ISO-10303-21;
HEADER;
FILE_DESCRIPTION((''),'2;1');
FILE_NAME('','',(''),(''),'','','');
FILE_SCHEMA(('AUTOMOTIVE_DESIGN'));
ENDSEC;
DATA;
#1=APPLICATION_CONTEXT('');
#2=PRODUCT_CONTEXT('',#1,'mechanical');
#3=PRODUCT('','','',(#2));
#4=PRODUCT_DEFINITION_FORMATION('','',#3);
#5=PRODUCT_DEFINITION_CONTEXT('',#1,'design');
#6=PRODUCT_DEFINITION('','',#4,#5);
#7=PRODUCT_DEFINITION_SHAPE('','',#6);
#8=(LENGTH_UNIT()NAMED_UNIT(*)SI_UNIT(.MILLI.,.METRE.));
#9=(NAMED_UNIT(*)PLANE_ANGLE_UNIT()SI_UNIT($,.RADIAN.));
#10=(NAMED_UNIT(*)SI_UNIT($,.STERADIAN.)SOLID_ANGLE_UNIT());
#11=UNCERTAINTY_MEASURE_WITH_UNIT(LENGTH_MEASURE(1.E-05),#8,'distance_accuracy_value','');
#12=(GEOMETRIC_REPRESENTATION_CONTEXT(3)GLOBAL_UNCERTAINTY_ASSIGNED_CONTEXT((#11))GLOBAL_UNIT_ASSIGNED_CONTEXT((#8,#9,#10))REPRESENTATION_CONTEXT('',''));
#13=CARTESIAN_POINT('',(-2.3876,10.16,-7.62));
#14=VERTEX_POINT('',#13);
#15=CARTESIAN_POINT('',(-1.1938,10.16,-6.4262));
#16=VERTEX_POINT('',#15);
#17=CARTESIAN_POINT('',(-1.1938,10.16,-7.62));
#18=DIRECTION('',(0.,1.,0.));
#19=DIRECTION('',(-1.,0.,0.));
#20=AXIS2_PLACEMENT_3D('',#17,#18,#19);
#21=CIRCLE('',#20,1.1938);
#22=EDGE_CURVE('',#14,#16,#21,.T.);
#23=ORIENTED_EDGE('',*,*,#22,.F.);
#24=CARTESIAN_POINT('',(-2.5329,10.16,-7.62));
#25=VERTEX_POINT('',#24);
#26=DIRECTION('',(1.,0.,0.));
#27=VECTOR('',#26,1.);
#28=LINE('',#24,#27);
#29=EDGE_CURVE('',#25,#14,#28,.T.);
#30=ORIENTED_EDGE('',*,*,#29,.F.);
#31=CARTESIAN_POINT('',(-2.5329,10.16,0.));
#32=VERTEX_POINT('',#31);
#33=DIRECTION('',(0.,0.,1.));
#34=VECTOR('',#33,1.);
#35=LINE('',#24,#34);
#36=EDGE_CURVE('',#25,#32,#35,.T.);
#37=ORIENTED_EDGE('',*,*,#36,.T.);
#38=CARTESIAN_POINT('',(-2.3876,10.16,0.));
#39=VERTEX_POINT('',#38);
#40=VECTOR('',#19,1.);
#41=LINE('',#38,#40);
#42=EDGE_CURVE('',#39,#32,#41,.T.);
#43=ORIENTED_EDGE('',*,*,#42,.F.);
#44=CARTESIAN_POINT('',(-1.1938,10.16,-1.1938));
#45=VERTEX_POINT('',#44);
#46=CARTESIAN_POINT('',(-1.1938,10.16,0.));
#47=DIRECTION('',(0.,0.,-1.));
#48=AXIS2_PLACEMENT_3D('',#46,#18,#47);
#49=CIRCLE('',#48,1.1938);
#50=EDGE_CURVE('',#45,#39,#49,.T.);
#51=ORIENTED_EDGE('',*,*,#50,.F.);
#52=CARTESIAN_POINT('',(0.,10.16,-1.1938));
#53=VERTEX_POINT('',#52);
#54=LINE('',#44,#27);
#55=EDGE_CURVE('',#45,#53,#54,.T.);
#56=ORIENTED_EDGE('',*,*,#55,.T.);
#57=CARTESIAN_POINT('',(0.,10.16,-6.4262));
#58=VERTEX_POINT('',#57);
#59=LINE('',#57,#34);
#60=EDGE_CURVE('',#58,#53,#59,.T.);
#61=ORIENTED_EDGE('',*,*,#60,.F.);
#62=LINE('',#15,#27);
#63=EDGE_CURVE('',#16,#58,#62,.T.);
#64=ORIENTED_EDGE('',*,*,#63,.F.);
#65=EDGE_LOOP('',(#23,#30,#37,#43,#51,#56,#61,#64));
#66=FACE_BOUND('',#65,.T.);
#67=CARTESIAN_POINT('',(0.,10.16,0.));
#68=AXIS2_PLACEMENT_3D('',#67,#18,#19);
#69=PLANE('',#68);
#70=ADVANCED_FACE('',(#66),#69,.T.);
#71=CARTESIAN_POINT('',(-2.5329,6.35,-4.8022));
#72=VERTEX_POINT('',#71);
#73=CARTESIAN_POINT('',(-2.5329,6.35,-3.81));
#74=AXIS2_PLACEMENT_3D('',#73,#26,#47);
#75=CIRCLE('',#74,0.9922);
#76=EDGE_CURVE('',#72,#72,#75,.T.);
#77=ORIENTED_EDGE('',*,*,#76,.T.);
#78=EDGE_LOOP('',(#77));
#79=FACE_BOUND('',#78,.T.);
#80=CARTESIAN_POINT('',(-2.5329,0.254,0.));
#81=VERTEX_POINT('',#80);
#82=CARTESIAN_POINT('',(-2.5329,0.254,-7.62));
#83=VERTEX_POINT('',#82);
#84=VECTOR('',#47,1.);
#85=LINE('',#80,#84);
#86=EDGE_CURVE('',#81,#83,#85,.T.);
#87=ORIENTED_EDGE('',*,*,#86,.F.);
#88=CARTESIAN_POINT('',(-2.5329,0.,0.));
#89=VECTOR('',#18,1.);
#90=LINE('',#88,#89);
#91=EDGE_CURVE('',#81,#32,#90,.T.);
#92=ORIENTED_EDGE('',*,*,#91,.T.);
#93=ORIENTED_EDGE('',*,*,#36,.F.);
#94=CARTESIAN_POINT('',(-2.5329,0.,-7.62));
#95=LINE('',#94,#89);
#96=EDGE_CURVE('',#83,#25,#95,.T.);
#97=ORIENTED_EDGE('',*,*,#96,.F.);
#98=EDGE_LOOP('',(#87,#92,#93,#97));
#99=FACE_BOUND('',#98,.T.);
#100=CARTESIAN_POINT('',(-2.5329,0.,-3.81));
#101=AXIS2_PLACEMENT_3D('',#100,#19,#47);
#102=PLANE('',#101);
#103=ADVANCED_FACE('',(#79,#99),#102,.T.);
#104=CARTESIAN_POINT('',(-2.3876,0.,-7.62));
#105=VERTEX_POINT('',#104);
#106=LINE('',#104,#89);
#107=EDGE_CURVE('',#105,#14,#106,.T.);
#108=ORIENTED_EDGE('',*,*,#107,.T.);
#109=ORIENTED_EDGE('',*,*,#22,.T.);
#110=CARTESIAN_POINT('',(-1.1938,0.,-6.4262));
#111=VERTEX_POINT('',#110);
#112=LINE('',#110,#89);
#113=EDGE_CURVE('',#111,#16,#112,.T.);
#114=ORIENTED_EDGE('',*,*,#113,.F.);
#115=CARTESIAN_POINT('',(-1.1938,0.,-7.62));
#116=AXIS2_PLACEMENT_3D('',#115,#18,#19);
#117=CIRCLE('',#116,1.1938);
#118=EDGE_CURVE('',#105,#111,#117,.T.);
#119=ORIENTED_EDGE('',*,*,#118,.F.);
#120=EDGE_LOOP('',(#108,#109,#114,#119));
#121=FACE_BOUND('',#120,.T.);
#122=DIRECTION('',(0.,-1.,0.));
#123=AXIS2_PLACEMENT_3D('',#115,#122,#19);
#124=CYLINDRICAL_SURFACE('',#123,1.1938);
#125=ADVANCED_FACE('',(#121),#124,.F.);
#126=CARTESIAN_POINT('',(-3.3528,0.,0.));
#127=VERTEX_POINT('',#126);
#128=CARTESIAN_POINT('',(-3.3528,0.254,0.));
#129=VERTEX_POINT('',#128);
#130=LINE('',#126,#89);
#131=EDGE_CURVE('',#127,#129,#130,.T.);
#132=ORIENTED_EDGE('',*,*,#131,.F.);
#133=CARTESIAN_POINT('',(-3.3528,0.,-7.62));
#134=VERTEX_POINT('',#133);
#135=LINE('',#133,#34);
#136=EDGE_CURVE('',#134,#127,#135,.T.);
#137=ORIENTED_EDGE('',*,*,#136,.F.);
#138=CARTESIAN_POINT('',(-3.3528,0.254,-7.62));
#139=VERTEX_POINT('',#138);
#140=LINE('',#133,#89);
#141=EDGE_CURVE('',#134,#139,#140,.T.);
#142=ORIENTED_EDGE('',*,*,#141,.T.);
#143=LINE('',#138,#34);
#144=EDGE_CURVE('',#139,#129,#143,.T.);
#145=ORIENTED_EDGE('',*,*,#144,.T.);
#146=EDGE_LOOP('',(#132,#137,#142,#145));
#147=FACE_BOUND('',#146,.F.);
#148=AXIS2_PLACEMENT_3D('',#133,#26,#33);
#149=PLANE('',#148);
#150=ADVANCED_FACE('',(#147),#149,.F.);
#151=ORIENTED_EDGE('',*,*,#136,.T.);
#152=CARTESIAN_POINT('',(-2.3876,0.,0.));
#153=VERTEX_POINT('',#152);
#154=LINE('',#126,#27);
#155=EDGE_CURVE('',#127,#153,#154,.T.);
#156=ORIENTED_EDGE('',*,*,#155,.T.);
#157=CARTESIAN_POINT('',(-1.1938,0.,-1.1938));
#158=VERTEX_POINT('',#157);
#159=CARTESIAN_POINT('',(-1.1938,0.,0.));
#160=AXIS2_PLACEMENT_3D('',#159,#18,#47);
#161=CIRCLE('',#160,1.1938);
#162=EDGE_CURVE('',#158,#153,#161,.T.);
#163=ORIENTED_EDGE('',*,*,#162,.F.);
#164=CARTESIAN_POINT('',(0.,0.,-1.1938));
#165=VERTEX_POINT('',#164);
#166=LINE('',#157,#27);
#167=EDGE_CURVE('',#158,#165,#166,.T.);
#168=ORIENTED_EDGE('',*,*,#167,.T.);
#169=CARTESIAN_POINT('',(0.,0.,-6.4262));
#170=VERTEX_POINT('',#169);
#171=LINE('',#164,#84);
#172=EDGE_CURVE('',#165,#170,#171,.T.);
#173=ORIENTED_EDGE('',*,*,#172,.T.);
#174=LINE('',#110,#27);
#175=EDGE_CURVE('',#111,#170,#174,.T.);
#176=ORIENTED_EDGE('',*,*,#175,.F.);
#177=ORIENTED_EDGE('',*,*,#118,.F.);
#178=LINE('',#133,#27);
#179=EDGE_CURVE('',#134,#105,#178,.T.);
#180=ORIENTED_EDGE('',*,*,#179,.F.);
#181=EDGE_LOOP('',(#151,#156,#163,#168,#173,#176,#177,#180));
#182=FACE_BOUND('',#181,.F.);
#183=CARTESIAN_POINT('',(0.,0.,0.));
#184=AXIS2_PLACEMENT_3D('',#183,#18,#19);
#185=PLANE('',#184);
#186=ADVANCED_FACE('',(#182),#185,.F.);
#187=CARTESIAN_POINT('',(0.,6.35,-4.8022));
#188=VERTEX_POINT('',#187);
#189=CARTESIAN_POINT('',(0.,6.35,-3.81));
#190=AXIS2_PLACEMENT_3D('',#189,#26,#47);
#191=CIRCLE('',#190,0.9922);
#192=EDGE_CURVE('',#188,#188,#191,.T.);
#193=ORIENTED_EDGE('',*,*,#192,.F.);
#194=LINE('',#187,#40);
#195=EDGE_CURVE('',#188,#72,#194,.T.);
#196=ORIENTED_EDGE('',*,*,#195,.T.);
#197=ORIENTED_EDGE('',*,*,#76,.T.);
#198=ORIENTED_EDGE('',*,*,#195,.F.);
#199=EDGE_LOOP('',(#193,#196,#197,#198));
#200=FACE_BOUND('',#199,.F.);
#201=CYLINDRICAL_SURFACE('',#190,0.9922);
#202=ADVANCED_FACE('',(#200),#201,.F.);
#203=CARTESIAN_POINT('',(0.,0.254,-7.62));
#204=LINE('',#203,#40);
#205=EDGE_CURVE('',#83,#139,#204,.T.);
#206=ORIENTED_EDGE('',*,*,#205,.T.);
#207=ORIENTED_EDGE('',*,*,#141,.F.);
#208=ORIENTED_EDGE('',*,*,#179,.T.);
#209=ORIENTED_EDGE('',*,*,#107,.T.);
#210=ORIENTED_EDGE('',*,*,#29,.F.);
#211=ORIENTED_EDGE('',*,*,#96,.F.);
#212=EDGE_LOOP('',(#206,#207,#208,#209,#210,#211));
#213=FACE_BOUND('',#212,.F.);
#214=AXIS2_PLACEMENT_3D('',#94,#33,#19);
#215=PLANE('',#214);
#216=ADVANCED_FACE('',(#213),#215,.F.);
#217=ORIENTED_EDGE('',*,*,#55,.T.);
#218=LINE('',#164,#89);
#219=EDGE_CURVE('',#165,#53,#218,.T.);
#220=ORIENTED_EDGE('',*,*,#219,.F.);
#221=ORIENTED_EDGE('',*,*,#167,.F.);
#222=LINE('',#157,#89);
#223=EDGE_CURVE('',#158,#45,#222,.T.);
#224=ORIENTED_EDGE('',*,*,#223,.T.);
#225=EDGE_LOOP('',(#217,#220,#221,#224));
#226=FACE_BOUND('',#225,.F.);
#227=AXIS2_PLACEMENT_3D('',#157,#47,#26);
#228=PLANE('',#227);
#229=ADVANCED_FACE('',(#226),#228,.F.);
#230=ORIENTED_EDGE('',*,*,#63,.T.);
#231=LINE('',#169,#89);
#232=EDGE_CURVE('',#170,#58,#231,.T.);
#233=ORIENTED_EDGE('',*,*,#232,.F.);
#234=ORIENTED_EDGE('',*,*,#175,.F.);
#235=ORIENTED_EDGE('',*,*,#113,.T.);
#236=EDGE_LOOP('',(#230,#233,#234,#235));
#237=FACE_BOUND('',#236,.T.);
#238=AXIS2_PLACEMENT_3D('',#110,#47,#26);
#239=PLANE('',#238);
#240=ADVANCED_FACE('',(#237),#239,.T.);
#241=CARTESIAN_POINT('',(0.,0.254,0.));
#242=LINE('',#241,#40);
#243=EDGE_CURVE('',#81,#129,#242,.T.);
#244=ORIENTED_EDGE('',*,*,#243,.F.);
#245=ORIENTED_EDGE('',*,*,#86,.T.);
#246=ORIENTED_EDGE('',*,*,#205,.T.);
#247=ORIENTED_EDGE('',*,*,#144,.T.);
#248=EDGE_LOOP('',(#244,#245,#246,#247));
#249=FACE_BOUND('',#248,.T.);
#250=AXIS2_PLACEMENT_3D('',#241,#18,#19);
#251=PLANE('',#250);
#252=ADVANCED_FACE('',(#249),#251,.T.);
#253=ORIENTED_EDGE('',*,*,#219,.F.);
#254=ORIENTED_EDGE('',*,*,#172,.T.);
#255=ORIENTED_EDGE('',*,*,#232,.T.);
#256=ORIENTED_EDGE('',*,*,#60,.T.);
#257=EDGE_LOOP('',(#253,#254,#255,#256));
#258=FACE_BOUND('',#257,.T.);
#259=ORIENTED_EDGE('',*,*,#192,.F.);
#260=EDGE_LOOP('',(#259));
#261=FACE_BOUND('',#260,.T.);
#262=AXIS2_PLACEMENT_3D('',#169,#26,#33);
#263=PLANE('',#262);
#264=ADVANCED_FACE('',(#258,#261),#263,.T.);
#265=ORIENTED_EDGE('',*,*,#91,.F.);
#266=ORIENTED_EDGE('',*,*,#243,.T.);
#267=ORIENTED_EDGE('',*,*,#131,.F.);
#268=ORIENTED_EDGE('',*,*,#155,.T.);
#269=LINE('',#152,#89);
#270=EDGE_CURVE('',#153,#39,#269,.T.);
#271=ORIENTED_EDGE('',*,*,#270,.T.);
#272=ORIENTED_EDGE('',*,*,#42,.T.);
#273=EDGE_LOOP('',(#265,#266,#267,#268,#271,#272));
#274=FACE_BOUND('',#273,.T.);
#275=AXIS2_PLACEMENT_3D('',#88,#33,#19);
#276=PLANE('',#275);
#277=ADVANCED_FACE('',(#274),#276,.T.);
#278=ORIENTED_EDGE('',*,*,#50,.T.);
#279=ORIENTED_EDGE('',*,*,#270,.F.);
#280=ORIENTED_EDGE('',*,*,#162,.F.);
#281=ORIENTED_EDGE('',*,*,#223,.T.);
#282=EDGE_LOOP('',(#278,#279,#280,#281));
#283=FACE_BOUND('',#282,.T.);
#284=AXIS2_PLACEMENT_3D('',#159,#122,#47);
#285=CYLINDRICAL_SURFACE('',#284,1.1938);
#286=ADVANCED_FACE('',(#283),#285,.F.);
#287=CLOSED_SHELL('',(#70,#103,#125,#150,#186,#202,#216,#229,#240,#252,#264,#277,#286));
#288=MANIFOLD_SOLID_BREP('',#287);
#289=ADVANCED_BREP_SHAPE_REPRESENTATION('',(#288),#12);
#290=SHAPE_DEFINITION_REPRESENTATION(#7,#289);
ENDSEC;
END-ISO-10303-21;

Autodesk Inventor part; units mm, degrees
ref_plane "YZ Plane" through (0, 0, 0) normal (1, 0, 0) x (0, 1, 0)
ref_plane "XZ Plane" through (0, 0, 0) normal (0, 1, 0) x (-1, 0, 0)
ref_plane "XY Plane" through (0, 0, 0) normal (0, 0, 1) x (1, 0, 0)
sketch "Sketch1" plane through (0, 0, 0) normal (0, 1, 0) x (-1, 0, 0)
  line L0 (0, -6.4262) -> (0, -1.1938)
  arc A0 (1.1938, -1.1938) -> (2.3876, 0) centre (1.1938, 0) ccw
  arc A1 (2.3876, -7.62) -> (1.1938, -6.4262) centre (1.1938, -7.62) ccw
  line L1 (2.3876, 0) -> (2.5329, 0)
  line L2 (2.5329, 0) -> (2.5329, -7.62)
  line L3 (2.5329, -7.62) -> (2.3876, -7.62)
  line L4 (1.1938, -6.4262) -> (0, -6.4262)
  line L5 (1.1938, -1.1938) -> (0, -1.1938)
  line L6 (0, 0) -> (3.3528, 0)
  line L7 (0, -3.81) -> (2.5329, -3.81)
  line L8 (0, -7.62) -> (3.3528, -7.62)
  line L9 (3.3528, -7.62) -> (3.3528, 0)
  dimension "d2" = 2.3876
  dimension "d3" = 2.3876
  dimension "d12" = 3.3528
extrude "Extrusion1" add sketch "Sketch1" along normal blind 10.16 contours L0 L7 L2 L3 A1 L4 | L0 L5 A0 L1 L2 L7
sketch "Sketch2" plane through (0, 0, -1.1938) normal (1, 0, 0) x (0, 0, -1)
  circle A0 centre (2.6162, 6.35) radius 0.9922
  line L0 (0, 0) -> (5.2324, 0) projected
  point P0 (-1.1938, 0)
  dimension "d8" = 1.9844
  dimension "d9" = 6.35
extrude "Extrusion3" cut sketch "Sketch2" against normal blind 127
extrude "Extrusion4" add sketch "Sketch1" along normal blind 0.254 contours L2 L6 L9 L8
properties part number "Ease of Model Bearing"
